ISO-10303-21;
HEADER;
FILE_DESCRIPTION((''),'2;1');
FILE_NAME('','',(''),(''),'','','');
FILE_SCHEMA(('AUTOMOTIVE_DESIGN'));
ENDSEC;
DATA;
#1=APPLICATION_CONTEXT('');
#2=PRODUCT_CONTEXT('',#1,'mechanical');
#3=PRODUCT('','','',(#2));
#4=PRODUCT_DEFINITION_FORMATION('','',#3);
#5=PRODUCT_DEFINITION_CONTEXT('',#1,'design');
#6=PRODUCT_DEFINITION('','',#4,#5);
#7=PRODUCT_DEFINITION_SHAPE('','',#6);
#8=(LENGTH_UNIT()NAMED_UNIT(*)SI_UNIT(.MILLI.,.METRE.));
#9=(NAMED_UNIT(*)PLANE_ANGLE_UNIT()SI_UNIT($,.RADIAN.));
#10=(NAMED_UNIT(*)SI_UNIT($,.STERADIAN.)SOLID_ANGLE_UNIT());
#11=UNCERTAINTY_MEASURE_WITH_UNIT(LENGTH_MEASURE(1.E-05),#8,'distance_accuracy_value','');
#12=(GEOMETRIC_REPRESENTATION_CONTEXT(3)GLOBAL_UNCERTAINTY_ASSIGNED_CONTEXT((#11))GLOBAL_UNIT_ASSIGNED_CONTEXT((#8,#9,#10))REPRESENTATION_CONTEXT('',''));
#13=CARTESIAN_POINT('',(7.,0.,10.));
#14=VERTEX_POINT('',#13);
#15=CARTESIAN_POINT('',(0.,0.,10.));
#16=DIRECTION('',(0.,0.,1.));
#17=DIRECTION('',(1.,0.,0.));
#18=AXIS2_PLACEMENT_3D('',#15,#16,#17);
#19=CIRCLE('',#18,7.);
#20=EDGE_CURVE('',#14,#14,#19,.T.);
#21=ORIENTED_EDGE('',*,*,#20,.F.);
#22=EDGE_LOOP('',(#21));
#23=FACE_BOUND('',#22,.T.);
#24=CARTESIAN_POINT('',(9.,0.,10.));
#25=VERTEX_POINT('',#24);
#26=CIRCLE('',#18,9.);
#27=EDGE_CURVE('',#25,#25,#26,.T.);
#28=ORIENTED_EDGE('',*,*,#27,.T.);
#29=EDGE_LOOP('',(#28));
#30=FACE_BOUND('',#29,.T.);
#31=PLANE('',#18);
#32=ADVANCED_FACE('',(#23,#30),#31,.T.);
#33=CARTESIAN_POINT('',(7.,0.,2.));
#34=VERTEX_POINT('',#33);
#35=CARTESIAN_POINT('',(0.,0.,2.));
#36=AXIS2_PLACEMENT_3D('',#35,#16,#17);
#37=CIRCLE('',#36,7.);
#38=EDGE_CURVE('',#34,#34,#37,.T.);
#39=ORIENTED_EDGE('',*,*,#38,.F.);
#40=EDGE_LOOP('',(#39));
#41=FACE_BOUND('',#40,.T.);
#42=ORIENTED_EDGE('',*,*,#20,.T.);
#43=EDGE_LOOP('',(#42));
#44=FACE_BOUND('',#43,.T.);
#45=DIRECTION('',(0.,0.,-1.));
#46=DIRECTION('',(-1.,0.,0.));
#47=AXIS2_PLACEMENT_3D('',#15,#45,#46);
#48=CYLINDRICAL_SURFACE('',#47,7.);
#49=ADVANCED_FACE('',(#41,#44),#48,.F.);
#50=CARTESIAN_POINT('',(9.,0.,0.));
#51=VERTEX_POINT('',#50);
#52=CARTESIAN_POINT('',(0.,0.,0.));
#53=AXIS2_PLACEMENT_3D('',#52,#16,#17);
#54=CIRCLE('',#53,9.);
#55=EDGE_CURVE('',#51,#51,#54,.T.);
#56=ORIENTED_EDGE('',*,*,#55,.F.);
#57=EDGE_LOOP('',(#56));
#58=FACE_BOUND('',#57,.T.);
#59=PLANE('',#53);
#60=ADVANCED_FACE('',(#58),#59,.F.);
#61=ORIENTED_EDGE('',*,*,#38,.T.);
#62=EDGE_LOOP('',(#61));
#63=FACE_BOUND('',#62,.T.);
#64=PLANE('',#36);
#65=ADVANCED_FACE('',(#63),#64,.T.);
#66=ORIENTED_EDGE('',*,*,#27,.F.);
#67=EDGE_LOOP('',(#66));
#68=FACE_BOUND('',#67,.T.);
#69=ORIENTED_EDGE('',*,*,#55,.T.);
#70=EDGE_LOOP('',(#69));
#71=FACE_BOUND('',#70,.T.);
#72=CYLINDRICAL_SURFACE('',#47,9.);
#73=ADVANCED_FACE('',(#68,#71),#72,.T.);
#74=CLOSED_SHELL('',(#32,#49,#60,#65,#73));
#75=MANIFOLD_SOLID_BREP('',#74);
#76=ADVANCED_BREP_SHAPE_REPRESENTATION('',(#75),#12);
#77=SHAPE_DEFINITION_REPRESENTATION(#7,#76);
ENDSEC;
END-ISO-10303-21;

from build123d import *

# Parameters (mm, degrees)
CROQUIS1_R              = 9
SALIENTE_EXTRUIR1_DEPTH = 10
VACIADO1_T              = -2


with BuildPart() as part:
    # Croquis1 → Saliente-Extruir1 (new body)
    with BuildSketch(Plane.XY):
        Circle(CROQUIS1_R)
    extrude(amount=SALIENTE_EXTRUIR1_DEPTH)

    # Vaciado1
    vaciado1_openings = [part.faces().sort_by_distance(p)[0] for p in [
        (0, 0, 10),
    ]]
    offset(amount=VACIADO1_T, openings=vaciado1_openings, kind=Kind.INTERSECTION)


solid = part.part
